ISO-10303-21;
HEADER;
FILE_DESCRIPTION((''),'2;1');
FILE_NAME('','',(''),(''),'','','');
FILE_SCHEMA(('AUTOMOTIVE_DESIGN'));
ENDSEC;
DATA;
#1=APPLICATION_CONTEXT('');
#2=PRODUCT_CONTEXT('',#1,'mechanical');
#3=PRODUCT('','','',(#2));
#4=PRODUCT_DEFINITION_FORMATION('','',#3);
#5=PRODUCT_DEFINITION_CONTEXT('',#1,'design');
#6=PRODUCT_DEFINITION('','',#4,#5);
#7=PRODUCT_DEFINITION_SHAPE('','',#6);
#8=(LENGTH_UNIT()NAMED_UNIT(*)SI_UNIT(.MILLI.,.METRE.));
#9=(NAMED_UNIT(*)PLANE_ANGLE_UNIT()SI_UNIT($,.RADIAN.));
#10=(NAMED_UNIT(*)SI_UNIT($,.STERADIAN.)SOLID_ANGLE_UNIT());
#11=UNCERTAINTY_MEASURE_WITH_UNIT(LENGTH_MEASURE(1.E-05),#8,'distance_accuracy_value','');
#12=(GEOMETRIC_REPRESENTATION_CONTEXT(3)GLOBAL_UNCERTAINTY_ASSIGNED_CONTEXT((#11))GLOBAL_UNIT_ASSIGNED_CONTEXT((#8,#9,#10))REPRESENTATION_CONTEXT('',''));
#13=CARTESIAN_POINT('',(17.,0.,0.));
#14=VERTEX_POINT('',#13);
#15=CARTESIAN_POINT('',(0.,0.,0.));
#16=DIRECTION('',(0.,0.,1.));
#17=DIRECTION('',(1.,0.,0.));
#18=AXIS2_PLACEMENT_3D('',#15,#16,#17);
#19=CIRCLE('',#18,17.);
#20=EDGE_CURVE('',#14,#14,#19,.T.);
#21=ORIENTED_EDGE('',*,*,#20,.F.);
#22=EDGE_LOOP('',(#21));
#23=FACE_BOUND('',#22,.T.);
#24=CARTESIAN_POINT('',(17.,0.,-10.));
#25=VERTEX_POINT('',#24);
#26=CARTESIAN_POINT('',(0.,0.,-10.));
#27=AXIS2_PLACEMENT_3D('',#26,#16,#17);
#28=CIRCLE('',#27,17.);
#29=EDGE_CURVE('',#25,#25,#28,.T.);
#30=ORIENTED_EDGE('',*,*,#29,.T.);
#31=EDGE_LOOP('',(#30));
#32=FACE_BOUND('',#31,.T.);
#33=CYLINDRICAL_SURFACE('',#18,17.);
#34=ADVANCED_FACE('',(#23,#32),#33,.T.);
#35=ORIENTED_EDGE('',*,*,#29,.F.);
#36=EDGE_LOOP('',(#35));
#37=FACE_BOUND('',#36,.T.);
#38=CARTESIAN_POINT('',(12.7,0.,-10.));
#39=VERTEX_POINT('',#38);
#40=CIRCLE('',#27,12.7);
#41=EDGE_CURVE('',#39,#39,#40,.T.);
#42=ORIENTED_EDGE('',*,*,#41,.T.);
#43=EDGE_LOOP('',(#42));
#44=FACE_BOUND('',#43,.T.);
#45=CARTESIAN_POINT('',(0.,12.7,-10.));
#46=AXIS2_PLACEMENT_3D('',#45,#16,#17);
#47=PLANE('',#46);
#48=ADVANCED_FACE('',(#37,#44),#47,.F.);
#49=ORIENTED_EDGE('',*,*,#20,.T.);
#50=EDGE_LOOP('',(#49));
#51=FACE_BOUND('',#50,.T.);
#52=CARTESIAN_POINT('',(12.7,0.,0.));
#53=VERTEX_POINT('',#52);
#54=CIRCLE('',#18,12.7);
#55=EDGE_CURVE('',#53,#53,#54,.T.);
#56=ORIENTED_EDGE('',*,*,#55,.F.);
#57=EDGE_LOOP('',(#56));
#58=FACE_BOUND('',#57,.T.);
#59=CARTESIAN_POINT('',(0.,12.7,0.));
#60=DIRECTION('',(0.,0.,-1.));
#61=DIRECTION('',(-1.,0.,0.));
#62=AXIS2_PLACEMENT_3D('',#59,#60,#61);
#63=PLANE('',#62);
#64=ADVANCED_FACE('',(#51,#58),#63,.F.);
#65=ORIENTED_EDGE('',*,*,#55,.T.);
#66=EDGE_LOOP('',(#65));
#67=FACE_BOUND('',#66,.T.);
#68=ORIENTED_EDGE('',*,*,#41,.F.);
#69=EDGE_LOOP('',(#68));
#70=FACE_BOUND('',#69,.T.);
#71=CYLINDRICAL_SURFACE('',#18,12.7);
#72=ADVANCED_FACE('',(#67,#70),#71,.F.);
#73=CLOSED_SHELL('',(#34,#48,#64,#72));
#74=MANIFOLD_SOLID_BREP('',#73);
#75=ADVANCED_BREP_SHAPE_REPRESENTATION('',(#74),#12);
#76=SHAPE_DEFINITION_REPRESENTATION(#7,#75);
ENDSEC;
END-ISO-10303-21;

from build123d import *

# Parameters (mm, degrees)
ESBO_O1_W = 10
ESBO_O1_H = 4.3


with BuildPart() as part:
    # Esboço1 → Revolução1 (revolve)
    with BuildSketch(Plane(origin=(0, 0, 0), x_dir=(0, 0, -1), z_dir=(1, 0, 0)), mode=Mode.PRIVATE) as revolu_o1_sk:
        with Locations((5, 14.85)):
            Rectangle(ESBO_O1_W, ESBO_O1_H)
    revolve(revolu_o1_sk.sketch.rotate(Axis((0, 0, 0), (0, 0, -1)), 90), axis=Axis((0, 0, 0), (0, 0, -1)))


solid = part.part
